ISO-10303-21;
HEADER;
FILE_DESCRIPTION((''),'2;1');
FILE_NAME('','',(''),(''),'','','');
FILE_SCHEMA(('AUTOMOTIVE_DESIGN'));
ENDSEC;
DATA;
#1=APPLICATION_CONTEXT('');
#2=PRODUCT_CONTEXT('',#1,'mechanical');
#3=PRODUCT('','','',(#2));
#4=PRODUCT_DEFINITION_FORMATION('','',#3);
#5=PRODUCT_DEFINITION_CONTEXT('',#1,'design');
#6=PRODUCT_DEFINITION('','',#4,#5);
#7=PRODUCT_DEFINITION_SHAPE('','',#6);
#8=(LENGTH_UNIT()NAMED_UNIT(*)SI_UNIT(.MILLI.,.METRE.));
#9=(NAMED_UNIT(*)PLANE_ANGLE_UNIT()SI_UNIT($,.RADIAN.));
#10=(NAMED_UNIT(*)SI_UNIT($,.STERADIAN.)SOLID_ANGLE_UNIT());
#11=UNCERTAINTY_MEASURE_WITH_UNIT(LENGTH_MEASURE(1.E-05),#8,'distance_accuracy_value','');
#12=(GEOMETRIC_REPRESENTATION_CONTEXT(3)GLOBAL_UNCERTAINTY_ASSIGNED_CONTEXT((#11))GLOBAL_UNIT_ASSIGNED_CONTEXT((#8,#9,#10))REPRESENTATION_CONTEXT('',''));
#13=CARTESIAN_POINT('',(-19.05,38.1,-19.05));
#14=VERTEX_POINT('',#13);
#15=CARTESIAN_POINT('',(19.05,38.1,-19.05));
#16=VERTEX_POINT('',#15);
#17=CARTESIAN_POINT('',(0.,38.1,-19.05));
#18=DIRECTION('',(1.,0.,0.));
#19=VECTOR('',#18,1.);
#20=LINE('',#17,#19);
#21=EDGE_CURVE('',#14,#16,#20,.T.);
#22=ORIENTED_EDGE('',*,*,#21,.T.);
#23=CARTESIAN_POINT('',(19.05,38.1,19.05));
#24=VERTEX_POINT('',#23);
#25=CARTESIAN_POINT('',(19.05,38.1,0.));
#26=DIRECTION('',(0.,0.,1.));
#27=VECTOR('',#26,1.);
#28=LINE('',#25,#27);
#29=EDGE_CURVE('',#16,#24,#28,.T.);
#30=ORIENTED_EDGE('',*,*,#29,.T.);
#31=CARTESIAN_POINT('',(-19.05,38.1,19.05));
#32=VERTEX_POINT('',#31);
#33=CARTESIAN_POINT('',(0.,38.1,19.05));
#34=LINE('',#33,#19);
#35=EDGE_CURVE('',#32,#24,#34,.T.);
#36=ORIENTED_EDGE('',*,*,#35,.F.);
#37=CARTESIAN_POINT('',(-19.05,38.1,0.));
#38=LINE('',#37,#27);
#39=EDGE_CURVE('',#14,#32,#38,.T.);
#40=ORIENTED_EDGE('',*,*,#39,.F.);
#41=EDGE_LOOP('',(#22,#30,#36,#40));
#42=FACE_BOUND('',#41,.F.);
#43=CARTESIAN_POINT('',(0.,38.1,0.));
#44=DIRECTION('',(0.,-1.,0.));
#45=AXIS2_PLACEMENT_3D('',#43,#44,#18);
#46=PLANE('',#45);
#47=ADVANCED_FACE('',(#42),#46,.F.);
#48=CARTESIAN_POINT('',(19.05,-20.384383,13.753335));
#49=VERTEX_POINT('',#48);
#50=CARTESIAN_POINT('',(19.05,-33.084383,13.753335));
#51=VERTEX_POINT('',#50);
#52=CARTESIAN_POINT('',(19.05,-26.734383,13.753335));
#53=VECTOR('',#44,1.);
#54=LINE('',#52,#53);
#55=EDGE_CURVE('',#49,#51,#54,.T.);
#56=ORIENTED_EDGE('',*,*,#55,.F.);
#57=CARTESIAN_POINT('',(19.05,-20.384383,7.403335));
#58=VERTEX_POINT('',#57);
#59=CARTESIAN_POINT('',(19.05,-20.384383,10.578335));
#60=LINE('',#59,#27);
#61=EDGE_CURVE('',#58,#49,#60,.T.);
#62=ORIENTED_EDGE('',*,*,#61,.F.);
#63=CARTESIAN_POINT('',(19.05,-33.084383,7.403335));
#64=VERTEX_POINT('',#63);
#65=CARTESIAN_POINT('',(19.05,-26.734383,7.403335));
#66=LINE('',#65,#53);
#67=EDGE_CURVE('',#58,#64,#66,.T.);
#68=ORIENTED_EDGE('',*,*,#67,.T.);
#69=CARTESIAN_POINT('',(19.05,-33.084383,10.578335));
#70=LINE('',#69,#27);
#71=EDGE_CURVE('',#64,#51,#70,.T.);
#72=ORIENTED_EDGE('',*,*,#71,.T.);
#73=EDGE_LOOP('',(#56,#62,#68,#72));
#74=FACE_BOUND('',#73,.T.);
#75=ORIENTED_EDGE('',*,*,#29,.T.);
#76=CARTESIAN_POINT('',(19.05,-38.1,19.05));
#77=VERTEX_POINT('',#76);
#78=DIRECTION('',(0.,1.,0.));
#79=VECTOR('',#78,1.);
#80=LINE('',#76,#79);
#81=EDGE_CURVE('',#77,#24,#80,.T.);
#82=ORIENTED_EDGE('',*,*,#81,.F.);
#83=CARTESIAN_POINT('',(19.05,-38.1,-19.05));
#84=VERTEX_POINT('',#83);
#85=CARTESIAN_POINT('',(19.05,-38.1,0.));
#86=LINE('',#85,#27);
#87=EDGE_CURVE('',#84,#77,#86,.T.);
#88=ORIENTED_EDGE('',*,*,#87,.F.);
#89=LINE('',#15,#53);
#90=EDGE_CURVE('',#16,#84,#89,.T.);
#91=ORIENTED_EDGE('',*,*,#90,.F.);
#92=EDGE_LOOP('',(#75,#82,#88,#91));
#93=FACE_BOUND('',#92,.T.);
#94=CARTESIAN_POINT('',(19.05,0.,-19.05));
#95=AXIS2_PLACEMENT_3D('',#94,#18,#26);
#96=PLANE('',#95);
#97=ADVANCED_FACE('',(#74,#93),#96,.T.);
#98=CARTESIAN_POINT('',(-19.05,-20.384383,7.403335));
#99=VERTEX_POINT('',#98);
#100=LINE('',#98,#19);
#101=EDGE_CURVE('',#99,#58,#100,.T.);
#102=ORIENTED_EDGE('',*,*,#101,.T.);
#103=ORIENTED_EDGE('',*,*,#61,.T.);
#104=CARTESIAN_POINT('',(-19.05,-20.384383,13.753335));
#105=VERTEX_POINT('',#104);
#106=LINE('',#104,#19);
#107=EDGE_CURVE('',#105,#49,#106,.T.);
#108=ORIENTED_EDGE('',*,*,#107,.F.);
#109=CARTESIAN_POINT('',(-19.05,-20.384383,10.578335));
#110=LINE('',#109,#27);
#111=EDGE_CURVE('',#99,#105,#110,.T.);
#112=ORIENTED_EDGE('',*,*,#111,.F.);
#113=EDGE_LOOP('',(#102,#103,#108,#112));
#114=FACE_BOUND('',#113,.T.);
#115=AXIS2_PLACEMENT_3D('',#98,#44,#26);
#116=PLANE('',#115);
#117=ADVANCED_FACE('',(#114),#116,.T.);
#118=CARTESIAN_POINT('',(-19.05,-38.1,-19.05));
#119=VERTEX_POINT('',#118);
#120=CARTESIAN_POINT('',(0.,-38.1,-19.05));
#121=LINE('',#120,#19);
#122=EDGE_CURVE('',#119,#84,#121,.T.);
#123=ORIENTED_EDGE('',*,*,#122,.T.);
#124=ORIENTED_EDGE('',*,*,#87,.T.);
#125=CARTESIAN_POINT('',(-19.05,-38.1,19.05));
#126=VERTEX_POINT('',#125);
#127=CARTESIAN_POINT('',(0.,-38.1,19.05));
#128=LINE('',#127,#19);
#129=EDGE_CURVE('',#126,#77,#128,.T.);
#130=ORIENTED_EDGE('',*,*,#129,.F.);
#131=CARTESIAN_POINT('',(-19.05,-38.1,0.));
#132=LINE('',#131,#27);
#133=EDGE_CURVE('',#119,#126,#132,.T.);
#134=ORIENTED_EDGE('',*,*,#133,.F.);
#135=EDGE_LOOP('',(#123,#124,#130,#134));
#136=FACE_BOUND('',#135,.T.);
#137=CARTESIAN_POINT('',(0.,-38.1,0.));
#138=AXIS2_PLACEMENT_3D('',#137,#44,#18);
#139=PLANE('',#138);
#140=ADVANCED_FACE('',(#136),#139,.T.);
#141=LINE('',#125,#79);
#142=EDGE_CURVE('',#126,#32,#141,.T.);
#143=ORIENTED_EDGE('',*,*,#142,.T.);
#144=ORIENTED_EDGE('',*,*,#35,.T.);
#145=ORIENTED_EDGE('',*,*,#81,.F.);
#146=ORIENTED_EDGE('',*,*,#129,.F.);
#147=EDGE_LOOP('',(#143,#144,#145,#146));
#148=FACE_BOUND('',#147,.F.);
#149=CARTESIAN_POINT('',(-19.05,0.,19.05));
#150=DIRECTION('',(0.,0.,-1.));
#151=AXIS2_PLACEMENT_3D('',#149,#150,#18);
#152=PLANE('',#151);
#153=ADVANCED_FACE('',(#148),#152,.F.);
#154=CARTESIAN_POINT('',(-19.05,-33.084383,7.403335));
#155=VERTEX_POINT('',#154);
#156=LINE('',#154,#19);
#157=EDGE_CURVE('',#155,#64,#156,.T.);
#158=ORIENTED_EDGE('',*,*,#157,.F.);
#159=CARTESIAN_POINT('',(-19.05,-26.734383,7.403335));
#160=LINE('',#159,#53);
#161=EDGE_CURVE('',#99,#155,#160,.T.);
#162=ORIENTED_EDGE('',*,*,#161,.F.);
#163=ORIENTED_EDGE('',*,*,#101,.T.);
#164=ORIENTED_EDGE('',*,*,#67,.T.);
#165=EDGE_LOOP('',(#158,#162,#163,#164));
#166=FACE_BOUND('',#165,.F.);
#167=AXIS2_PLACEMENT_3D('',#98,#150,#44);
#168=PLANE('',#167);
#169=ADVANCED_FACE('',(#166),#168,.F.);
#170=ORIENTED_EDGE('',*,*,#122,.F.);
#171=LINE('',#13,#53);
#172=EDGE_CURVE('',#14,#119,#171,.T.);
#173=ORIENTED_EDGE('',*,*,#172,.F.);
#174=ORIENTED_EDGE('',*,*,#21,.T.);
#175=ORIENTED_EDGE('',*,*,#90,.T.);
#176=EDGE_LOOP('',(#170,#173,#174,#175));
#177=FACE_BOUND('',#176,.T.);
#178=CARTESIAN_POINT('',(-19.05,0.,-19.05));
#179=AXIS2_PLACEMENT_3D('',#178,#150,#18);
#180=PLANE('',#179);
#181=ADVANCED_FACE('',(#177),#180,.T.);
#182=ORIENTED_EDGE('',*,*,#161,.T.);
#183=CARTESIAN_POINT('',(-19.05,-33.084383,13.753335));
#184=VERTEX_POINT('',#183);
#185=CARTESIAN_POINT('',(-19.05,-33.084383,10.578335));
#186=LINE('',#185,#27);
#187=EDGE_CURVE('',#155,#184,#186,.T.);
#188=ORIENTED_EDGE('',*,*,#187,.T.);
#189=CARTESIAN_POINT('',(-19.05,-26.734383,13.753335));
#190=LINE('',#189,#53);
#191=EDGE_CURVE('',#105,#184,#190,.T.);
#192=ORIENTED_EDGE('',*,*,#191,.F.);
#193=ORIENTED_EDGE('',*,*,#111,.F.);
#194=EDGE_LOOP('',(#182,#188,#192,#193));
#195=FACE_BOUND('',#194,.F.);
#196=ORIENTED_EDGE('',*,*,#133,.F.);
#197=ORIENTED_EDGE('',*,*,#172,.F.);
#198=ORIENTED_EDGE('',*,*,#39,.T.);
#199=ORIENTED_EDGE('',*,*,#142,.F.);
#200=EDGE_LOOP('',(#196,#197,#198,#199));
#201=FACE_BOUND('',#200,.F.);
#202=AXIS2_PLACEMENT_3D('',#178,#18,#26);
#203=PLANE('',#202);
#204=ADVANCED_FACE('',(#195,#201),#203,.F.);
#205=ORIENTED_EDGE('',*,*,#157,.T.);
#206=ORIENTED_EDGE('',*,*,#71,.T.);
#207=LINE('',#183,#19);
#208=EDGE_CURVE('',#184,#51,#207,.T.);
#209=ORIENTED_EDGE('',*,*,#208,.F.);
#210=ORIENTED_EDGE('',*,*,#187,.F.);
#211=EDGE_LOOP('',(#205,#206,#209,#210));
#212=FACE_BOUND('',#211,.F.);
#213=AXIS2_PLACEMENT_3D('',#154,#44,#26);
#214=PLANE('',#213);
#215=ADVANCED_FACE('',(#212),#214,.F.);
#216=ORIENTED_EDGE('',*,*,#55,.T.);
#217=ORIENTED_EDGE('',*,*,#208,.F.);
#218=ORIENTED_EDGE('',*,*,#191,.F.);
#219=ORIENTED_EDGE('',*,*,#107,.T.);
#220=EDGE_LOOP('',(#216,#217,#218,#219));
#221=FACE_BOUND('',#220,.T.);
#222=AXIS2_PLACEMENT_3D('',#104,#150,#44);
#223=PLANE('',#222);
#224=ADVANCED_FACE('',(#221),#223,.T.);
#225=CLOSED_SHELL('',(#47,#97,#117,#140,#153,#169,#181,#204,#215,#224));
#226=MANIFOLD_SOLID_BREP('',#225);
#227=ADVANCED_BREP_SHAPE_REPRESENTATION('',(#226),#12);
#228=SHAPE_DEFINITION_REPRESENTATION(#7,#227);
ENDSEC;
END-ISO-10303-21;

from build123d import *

# Parameters (mm, degrees)
F0_W     = 38.1
F0_H     = 38.1
F1_DEPTH = 38.1
F2_W     = 12.7
F2_H     = 6.35
F3_DEPTH = 38.1


with BuildPart() as f1:
    # F0 (on Front) → F1 (new body, symmetric)
    with BuildSketch(Plane.XZ):
        Rectangle(F0_W, F0_H)
    extrude(amount=F1_DEPTH, both=True)

    # F2 (on face) → F3 (cut)
    with BuildSketch(Plane(origin=(-19.05, 0, 0), x_dir=(0, -1, 0), z_dir=(-1, 0, 0))):
        with Locations((26.734383, 10.578335)):
            Rectangle(F2_W, F2_H)
    extrude(amount=-F3_DEPTH, mode=Mode.SUBTRACT)


solid = f1.part
